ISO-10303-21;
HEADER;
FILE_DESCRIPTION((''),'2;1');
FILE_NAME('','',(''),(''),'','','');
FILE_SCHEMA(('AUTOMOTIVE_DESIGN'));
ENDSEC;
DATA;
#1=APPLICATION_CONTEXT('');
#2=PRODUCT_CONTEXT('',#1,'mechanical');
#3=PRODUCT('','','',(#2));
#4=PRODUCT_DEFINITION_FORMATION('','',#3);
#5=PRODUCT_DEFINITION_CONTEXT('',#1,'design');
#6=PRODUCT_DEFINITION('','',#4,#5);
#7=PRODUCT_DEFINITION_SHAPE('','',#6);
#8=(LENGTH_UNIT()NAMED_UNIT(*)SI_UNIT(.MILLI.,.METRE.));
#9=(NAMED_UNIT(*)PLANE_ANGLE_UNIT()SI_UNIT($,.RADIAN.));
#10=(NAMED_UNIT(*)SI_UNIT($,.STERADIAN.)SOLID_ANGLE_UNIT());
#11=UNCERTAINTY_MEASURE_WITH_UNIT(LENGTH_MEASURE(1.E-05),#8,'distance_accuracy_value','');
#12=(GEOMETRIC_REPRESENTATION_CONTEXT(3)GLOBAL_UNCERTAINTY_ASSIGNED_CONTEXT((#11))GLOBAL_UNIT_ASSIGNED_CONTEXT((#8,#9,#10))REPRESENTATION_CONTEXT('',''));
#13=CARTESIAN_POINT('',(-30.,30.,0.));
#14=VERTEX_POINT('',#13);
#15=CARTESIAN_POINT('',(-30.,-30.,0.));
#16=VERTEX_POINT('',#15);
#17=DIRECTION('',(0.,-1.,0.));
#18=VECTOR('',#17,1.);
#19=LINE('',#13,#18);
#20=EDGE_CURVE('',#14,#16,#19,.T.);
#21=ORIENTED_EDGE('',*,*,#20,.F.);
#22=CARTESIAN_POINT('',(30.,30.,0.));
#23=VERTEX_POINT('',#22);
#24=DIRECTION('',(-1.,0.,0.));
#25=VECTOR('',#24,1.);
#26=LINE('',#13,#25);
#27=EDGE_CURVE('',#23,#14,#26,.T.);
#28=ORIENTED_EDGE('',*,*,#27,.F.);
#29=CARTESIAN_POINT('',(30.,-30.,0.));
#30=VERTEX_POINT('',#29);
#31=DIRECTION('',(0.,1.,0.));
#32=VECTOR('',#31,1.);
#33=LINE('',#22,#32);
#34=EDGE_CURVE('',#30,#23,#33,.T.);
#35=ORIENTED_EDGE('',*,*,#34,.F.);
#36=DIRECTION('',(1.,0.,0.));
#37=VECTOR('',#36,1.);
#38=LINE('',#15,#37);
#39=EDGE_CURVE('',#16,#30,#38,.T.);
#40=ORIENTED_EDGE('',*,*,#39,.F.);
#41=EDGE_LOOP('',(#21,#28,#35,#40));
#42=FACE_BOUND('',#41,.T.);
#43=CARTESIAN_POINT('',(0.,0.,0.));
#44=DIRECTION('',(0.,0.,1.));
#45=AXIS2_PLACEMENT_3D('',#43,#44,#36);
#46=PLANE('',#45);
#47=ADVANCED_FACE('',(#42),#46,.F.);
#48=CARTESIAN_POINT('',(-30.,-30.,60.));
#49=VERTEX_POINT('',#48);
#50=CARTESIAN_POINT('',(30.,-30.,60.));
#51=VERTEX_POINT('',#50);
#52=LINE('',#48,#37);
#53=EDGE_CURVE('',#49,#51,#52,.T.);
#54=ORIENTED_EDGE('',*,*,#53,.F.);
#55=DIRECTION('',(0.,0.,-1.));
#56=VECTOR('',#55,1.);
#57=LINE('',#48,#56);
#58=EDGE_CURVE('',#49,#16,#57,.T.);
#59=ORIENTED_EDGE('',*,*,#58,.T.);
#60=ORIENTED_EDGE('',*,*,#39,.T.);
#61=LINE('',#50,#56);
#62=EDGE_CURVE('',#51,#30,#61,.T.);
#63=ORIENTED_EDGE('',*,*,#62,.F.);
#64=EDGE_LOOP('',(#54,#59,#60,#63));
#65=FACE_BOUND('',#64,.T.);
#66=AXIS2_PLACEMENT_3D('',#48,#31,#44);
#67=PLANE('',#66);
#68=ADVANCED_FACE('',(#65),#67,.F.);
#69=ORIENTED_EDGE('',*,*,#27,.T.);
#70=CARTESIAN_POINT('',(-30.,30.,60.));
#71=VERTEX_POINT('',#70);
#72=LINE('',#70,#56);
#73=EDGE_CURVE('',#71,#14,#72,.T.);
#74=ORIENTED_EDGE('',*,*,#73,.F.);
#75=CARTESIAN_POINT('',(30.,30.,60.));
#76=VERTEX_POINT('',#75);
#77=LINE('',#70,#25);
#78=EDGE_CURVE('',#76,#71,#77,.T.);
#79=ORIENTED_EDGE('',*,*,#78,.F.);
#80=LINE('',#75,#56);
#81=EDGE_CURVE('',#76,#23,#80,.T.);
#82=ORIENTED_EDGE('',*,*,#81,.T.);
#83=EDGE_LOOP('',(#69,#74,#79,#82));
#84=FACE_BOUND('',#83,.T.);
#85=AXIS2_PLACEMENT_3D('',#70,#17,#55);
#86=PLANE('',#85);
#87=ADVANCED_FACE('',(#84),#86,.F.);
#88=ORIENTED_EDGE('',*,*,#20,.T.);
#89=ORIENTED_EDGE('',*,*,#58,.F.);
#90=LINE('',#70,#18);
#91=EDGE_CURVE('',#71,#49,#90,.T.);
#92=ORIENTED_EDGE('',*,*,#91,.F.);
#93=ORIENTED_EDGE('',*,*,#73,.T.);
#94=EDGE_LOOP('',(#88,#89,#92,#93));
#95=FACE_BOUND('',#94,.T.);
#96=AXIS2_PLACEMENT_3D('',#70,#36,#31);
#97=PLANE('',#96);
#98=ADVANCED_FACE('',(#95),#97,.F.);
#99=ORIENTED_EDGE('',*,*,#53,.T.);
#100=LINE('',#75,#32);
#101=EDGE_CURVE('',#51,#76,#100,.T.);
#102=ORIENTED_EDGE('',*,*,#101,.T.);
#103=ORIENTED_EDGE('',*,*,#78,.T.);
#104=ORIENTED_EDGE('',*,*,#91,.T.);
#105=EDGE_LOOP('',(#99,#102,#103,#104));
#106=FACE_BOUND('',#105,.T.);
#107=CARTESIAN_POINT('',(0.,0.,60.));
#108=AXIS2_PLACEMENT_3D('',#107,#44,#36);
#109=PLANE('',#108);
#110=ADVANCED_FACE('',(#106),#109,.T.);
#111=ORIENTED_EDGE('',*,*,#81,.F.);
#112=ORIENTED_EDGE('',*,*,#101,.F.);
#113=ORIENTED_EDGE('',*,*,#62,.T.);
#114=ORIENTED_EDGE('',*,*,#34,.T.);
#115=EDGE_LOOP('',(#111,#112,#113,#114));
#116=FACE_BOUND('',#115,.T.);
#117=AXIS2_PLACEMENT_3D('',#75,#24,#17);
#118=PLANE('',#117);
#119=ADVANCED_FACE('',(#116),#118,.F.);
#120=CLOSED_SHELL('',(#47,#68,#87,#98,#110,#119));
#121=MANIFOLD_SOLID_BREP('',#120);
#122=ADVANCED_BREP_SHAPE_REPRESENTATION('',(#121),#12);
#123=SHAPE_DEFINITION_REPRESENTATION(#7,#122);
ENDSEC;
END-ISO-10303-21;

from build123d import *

# Parameters (mm, degrees)
SKETCH1_W           = 60
SKETCH1_H           = 60
BOSS_EXTRUDE1_DEPTH = 60


with BuildPart() as part:
    # Sketch1 → Boss-Extrude1 (new body)
    with BuildSketch(Plane.XY):
        Rectangle(SKETCH1_W, SKETCH1_H)
    extrude(amount=BOSS_EXTRUDE1_DEPTH)


solid = part.part
